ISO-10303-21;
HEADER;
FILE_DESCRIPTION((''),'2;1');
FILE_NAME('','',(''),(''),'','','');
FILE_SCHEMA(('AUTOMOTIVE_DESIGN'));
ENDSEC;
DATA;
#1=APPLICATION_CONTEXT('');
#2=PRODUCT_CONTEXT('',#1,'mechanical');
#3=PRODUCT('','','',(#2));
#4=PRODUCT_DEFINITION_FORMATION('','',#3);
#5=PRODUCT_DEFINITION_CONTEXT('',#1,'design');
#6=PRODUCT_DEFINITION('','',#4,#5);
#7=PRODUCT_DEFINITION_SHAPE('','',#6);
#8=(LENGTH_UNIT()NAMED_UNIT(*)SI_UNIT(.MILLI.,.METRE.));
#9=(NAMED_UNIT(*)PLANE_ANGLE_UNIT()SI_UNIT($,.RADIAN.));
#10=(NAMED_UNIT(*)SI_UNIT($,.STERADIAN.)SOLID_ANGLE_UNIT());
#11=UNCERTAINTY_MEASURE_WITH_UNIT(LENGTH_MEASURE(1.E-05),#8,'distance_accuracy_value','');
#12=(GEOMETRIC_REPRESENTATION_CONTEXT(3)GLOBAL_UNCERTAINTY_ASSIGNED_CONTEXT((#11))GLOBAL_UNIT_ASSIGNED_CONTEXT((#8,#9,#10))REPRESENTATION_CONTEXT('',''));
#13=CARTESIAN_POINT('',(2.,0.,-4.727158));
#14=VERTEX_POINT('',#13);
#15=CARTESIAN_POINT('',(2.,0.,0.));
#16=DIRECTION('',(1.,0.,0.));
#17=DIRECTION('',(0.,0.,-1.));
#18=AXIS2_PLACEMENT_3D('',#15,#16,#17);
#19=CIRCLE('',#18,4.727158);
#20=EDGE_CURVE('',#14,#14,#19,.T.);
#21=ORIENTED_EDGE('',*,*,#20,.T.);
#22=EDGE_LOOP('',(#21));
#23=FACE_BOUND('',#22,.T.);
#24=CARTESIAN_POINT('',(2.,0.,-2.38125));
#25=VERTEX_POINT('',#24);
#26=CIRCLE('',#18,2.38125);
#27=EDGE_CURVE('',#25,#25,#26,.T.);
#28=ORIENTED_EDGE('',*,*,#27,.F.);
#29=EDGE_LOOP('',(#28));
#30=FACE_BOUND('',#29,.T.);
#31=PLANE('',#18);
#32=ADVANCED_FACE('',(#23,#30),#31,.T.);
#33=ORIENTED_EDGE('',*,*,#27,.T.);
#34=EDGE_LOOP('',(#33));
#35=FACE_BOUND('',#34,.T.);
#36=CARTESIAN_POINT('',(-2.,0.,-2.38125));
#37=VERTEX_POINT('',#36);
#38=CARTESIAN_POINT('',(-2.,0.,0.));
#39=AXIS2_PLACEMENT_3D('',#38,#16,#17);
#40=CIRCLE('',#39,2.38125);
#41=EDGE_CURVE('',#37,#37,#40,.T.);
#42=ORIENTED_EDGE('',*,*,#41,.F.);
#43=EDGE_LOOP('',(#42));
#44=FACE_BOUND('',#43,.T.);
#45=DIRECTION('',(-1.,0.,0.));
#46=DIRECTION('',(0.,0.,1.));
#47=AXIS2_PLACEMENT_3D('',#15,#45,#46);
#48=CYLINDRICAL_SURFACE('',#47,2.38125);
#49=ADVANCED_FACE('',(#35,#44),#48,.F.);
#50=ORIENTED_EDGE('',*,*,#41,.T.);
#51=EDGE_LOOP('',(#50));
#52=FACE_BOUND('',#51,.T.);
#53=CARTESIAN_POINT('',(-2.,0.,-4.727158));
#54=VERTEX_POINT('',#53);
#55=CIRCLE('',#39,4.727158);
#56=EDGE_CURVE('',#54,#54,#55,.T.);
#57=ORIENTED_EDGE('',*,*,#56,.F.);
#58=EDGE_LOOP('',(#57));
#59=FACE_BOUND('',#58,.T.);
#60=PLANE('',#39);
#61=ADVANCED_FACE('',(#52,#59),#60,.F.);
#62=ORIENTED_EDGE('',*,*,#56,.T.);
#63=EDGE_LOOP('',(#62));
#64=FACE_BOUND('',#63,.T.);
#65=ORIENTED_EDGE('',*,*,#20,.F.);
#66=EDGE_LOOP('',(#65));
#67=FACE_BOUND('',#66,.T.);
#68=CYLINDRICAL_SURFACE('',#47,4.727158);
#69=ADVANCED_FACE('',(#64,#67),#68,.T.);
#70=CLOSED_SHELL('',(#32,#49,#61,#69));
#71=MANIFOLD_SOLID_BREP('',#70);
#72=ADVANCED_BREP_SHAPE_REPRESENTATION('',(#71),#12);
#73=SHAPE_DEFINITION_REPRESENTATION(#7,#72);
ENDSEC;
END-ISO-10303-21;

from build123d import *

# Parameters (mm, degrees)
SKETCH2_R           = 4.727157868
SKETCH2_R_2         = 2.38125
BOSS_EXTRUDE1_DEPTH = 2


with BuildPart() as part:
    # Sketch2 → Boss-Extrude1 (new, symmetric)
    with BuildSketch(Plane(origin=(0, 0, 0), x_dir=(0, 0, -1), z_dir=(1, 0, 0))):
        Circle(SKETCH2_R)
        Circle(SKETCH2_R_2, mode=Mode.SUBTRACT)
    extrude(amount=BOSS_EXTRUDE1_DEPTH, both=True)


solid = part.part
